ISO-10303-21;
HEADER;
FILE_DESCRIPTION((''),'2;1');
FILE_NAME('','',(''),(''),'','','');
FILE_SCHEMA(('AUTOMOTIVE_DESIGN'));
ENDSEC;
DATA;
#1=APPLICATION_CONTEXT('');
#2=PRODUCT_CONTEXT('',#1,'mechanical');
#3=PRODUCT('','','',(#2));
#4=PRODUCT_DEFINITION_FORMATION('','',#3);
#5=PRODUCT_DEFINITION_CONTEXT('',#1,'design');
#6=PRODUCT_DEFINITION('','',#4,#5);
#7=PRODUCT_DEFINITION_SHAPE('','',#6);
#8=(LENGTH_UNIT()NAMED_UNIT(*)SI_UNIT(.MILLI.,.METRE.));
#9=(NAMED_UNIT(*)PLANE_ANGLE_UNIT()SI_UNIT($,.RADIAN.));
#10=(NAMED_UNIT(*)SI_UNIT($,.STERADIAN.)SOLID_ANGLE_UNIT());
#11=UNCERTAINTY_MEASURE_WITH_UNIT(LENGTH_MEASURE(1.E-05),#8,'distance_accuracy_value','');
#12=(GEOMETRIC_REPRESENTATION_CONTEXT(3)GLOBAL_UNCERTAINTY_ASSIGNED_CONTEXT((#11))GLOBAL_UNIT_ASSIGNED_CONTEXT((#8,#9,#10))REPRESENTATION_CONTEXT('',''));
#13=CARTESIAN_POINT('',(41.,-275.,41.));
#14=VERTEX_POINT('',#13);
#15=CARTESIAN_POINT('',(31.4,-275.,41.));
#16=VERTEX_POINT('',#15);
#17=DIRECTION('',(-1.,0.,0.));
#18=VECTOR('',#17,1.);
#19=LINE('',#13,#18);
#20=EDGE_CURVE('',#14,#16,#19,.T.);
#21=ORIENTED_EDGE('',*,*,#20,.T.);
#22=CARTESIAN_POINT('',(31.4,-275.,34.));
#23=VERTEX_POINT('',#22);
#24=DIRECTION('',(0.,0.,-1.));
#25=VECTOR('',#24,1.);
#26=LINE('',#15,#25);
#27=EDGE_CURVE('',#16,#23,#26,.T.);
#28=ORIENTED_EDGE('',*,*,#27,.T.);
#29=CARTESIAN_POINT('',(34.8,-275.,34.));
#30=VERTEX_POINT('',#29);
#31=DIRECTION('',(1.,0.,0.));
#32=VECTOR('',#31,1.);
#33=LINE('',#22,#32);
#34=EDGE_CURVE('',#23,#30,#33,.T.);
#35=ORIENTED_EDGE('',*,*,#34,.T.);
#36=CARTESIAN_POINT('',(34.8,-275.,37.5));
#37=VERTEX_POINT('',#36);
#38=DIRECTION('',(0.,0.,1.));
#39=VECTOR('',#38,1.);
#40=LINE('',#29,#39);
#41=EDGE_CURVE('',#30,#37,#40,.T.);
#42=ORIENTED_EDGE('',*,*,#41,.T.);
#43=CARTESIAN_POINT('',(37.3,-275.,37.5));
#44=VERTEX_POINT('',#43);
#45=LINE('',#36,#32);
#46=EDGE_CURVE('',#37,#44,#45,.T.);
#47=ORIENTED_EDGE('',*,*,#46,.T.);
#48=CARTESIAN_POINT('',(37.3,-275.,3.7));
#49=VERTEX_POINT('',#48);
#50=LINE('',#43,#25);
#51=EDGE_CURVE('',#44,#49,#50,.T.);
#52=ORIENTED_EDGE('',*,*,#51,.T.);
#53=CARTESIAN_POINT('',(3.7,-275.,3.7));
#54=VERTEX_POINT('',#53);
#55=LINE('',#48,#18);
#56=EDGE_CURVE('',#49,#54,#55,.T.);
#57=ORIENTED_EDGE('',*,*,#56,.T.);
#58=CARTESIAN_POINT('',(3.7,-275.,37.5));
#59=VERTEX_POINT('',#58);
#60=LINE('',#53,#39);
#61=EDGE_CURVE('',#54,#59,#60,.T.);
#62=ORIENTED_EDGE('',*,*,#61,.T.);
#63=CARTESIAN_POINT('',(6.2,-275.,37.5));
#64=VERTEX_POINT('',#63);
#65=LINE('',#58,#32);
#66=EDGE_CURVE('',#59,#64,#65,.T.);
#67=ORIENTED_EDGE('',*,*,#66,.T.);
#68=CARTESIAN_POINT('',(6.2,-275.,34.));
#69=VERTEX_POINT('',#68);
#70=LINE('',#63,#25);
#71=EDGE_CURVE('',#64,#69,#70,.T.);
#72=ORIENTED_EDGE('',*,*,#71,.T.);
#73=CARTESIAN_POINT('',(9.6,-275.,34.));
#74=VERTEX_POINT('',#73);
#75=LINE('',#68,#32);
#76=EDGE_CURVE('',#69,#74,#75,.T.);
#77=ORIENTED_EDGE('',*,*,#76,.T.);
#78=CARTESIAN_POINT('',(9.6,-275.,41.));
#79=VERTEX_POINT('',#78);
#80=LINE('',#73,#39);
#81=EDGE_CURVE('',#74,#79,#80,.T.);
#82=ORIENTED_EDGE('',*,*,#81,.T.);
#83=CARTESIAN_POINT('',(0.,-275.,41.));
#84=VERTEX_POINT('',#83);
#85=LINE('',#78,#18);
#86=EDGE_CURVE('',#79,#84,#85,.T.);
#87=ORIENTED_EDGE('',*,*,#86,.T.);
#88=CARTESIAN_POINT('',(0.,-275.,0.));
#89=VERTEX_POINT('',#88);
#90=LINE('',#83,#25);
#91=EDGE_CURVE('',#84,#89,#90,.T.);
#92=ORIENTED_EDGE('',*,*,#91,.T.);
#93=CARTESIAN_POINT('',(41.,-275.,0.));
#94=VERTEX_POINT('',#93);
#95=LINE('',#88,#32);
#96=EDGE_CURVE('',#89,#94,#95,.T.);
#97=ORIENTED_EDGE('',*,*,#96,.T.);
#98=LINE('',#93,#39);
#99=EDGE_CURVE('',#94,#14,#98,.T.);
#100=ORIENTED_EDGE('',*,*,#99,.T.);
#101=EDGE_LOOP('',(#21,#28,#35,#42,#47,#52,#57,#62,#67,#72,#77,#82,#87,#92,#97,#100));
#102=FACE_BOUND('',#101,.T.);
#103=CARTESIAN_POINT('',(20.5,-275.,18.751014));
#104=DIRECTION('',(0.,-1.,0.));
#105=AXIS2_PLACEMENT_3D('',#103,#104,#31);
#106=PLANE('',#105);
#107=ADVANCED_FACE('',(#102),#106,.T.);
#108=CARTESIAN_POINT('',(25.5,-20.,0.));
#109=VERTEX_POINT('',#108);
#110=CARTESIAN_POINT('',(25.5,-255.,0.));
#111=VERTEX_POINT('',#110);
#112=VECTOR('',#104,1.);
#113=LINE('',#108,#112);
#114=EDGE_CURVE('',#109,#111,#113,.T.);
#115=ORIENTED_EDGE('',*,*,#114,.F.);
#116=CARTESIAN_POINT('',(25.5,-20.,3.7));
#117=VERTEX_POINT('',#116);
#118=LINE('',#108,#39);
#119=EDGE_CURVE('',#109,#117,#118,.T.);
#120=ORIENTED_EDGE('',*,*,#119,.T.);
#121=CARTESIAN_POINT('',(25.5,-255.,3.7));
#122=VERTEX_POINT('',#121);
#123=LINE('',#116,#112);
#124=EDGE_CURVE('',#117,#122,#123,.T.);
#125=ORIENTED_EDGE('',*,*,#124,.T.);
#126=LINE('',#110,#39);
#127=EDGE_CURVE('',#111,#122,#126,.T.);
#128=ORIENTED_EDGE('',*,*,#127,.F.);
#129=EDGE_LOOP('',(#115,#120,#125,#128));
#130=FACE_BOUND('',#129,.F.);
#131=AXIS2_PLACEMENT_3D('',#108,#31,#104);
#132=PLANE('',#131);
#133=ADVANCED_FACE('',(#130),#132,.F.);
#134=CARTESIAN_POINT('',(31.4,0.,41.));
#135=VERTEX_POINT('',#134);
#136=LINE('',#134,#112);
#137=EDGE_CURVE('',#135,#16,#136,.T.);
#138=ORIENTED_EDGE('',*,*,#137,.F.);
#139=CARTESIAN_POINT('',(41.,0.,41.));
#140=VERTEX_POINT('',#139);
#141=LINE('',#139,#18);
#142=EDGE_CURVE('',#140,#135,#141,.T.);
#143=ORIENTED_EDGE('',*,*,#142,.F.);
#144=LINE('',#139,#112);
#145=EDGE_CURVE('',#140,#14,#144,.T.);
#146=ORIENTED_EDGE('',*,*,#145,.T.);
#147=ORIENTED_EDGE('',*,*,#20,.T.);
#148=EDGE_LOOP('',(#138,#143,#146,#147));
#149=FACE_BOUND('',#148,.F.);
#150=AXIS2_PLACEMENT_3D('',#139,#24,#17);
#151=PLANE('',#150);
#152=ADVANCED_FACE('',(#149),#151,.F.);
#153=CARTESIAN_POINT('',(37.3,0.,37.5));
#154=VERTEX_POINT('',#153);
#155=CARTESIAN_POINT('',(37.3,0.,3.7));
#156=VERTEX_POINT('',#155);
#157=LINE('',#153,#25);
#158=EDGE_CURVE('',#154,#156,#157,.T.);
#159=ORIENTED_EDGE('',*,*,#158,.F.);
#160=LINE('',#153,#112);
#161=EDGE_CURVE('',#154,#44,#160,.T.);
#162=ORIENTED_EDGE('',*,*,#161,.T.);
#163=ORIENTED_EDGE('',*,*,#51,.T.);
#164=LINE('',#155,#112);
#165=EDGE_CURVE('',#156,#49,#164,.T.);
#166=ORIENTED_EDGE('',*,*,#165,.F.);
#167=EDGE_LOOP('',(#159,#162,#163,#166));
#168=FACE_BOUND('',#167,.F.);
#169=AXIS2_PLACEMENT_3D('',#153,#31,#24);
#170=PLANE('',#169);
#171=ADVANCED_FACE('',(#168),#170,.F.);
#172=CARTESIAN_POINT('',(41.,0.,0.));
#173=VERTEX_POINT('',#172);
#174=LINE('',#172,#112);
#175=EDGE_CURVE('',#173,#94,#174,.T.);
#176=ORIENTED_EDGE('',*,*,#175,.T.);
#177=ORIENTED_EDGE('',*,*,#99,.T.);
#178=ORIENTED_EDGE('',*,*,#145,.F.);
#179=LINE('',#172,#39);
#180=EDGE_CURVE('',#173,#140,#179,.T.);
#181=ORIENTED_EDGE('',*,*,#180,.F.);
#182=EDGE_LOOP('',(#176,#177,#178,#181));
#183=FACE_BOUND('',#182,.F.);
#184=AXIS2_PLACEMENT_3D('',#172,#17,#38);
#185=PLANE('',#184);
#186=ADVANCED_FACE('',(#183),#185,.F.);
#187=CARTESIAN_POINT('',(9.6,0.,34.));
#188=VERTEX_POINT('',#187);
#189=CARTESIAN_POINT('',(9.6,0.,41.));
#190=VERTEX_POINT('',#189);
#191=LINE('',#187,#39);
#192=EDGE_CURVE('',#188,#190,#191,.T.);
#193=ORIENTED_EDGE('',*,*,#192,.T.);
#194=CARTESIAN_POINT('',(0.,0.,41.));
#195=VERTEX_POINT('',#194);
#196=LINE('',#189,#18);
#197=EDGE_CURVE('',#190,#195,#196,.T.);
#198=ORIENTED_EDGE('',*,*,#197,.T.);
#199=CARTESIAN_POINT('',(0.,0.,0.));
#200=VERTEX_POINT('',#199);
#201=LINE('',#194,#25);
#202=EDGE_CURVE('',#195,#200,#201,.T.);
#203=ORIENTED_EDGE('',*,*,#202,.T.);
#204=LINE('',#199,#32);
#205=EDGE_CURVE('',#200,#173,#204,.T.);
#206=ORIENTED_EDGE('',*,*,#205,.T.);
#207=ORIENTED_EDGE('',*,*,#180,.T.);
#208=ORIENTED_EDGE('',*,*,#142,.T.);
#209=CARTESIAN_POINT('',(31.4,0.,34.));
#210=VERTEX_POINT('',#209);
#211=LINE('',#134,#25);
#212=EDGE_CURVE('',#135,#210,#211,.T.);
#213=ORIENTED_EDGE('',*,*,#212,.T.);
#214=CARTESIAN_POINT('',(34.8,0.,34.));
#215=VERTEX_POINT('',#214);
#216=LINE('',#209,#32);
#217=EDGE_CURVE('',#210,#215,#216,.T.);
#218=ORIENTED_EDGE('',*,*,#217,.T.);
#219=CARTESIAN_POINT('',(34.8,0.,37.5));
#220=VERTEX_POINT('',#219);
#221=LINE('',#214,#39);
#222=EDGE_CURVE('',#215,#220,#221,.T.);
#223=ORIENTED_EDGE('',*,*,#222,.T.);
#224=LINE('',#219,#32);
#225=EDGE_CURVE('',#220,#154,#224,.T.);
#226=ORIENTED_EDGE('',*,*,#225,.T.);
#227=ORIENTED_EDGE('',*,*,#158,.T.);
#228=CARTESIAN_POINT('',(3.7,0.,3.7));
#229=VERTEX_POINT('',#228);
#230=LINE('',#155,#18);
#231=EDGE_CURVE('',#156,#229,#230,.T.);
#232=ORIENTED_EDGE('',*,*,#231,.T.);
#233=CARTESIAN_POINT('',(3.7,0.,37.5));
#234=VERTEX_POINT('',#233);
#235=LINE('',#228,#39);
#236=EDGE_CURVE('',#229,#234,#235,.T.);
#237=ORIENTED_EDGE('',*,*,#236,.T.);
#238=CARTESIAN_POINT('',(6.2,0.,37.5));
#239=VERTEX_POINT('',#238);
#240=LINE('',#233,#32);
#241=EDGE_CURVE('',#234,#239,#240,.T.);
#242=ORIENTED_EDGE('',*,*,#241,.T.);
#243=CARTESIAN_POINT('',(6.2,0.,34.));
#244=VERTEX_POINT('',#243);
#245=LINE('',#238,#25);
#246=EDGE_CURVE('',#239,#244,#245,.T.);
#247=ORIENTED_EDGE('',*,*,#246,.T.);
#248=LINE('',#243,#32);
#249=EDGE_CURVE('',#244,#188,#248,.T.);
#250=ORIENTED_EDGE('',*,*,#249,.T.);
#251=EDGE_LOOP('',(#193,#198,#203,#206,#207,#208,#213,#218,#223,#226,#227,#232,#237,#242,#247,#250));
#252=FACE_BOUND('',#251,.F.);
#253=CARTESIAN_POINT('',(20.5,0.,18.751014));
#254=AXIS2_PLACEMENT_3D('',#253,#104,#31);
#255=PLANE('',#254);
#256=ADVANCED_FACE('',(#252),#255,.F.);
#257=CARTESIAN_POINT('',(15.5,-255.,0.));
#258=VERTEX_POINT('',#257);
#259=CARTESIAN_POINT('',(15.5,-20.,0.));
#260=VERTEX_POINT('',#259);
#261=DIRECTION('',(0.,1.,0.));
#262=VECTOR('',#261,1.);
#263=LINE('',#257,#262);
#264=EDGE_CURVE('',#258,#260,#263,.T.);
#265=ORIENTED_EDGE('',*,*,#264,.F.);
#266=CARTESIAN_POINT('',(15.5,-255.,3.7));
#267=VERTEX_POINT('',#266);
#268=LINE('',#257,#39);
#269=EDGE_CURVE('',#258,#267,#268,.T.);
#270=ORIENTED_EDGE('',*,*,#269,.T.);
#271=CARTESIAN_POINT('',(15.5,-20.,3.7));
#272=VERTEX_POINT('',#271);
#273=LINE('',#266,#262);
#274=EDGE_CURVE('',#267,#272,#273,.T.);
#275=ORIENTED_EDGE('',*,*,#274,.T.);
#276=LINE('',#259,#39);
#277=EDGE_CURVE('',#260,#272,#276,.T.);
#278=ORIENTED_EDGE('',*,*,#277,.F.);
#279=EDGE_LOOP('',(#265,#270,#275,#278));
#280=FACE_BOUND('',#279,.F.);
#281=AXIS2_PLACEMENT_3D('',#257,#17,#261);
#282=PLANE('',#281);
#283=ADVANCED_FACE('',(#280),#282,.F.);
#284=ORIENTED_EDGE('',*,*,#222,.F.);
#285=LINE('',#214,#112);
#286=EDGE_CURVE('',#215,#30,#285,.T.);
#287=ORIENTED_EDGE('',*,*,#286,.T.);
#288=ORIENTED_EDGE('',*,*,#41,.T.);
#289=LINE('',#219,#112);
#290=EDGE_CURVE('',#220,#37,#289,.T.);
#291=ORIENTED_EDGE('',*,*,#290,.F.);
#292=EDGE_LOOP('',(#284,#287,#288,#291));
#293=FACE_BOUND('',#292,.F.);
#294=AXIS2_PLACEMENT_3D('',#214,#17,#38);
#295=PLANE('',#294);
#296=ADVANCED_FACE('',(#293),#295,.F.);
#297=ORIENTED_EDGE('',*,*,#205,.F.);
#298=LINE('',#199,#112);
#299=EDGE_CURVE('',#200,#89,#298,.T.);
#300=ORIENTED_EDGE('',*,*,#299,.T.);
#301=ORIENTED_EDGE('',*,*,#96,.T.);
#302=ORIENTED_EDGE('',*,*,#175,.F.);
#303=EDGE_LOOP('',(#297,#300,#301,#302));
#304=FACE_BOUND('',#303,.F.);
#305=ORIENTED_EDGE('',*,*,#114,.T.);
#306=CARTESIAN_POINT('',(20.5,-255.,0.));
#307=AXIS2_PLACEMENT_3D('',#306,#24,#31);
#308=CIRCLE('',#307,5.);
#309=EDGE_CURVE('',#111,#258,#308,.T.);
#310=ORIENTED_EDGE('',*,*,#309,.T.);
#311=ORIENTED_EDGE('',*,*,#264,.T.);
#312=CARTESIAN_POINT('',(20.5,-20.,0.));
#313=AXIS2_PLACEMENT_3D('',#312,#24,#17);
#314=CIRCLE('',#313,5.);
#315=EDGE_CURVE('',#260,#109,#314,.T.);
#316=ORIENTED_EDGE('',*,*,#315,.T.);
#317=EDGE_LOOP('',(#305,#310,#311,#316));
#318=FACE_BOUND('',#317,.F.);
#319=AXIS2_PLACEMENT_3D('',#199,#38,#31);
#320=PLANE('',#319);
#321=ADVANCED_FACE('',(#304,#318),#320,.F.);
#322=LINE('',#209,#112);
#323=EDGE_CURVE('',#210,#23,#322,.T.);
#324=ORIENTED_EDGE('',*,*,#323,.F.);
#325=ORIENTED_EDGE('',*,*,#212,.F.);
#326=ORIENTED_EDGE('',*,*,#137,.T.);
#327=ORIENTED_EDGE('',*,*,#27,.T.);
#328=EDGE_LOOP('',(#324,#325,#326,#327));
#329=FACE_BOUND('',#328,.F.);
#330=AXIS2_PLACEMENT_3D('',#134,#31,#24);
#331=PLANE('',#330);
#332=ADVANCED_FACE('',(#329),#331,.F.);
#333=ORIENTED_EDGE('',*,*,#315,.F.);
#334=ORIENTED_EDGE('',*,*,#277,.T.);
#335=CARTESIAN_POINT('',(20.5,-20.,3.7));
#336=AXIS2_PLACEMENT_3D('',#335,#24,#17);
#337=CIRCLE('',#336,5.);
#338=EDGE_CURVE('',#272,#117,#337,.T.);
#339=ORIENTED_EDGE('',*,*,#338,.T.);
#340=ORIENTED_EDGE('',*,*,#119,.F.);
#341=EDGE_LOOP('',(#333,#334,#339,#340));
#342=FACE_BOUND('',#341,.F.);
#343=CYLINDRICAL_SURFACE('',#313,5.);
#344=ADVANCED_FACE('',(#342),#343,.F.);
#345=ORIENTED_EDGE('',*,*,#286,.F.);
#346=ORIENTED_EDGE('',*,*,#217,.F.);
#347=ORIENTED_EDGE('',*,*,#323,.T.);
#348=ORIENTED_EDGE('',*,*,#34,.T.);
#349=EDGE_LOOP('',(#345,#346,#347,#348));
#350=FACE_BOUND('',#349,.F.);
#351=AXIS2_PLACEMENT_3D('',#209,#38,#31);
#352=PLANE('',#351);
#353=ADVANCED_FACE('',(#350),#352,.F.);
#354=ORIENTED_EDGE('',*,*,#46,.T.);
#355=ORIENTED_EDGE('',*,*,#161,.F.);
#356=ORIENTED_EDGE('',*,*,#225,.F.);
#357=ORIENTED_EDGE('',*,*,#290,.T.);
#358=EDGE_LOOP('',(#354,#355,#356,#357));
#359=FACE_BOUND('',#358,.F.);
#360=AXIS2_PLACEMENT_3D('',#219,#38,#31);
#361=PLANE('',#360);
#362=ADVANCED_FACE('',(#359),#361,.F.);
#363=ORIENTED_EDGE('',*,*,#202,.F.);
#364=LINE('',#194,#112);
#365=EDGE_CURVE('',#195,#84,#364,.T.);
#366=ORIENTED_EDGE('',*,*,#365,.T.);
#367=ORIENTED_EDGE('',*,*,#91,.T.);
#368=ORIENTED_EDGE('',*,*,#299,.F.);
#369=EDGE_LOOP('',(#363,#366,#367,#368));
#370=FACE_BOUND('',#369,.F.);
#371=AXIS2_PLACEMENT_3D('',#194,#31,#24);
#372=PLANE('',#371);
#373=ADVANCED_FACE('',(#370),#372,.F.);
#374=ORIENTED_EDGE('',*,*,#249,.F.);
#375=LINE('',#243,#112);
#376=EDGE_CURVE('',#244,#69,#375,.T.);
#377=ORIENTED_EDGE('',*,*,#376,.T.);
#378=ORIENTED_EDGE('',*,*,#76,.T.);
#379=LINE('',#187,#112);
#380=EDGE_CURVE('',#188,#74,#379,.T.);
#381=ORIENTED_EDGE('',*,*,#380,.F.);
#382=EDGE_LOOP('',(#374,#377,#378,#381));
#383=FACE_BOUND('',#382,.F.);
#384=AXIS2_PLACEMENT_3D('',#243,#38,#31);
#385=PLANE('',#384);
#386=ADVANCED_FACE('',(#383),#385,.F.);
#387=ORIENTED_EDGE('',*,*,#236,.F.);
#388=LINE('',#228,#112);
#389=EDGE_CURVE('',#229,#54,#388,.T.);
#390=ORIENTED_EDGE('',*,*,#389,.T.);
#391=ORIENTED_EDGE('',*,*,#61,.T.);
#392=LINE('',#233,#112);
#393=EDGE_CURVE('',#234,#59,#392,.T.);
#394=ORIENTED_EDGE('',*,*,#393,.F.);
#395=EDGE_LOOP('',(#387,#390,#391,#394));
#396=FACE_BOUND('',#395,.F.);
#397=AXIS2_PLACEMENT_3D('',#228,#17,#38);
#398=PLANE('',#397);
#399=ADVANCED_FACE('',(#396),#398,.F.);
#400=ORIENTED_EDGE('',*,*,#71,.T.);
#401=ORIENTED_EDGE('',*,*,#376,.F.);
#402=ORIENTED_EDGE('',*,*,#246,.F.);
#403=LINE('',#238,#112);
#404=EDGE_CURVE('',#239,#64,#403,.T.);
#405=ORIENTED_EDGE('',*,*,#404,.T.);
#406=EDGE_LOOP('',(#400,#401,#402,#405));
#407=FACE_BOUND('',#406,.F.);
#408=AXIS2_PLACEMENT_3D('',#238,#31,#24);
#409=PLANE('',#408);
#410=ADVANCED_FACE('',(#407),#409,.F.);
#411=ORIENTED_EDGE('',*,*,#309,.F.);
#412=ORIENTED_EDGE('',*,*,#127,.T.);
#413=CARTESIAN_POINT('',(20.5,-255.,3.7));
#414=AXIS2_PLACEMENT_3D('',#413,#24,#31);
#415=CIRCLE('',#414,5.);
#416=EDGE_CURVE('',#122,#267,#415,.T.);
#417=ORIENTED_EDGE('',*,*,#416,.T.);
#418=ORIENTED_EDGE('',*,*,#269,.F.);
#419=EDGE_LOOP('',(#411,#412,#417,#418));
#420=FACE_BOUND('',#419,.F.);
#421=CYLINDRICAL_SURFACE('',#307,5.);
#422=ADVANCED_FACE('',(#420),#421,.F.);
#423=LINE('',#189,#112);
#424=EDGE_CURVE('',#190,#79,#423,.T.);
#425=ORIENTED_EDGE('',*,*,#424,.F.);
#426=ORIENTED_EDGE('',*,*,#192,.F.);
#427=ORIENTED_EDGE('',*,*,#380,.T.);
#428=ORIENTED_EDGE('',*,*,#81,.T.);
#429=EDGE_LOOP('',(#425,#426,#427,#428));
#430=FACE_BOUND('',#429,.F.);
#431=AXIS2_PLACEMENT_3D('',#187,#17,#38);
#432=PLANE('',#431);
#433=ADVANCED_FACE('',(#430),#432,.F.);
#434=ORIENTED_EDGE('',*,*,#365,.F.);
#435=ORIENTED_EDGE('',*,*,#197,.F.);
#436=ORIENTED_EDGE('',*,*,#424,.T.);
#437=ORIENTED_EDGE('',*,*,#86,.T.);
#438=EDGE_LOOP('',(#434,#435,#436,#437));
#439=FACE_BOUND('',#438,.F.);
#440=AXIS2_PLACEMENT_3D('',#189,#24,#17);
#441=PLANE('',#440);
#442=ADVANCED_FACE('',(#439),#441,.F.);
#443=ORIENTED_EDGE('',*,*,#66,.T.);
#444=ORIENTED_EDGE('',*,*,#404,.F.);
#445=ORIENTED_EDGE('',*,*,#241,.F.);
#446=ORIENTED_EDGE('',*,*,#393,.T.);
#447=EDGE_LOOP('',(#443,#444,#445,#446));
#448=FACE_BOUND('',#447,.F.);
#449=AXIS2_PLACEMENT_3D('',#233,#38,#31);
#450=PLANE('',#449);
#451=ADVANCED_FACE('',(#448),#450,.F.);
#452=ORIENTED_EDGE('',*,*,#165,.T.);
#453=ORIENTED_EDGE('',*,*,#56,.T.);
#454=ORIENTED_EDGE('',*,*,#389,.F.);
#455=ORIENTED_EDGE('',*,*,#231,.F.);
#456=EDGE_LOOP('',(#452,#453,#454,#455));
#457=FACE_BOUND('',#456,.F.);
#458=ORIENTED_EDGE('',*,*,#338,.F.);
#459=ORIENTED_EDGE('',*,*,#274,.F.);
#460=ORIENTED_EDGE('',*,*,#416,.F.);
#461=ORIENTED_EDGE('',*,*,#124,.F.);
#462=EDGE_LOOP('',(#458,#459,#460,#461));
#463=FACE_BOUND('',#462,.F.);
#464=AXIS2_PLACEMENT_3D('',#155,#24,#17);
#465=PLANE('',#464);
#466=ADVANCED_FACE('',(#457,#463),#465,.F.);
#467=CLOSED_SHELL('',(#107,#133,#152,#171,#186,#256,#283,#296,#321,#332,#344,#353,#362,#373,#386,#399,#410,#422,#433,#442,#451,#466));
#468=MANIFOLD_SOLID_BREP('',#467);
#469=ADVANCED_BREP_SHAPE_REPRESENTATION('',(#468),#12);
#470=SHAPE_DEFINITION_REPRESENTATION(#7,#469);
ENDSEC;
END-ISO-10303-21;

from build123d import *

# Parameters (mm, degrees)
F1_DEPTH = 275
F3_DEPTH = 3.7


with BuildPart() as f1:
    # F0 (on Front) → F1 (new body)
    with BuildSketch(Plane.XZ):
        Polygon((0, 41), (0, 0), (41, 0), (41, 41), (31.4, 41), (31.4, 34), (34.8, 34), (34.8, 37.5), (37.3, 37.5), (37.3, 3.7), (3.7, 3.7), (3.7, 37.5), (6.2, 37.5), (6.2, 34), (9.6, 34), (9.6, 41), align=None)
    extrude(amount=F1_DEPTH)

    # F2 (on face) → F3 (cut, through all)
    with BuildSketch(Plane(origin=(0, 0, 0), x_dir=(1, 0, 0), z_dir=(0, 0, -1))):
        with BuildLine():
            Line((15.5, 255), (15.5, 20))
            ThreePointArc((15.5, 20), (20.5, 15), (25.5, 20))
            Line((25.5, 20), (25.5, 255))
            ThreePointArc((25.5, 255), (20.5, 260), (15.5, 255))
        make_face()
    extrude(amount=-F3_DEPTH, mode=Mode.SUBTRACT)


solid = f1.part
